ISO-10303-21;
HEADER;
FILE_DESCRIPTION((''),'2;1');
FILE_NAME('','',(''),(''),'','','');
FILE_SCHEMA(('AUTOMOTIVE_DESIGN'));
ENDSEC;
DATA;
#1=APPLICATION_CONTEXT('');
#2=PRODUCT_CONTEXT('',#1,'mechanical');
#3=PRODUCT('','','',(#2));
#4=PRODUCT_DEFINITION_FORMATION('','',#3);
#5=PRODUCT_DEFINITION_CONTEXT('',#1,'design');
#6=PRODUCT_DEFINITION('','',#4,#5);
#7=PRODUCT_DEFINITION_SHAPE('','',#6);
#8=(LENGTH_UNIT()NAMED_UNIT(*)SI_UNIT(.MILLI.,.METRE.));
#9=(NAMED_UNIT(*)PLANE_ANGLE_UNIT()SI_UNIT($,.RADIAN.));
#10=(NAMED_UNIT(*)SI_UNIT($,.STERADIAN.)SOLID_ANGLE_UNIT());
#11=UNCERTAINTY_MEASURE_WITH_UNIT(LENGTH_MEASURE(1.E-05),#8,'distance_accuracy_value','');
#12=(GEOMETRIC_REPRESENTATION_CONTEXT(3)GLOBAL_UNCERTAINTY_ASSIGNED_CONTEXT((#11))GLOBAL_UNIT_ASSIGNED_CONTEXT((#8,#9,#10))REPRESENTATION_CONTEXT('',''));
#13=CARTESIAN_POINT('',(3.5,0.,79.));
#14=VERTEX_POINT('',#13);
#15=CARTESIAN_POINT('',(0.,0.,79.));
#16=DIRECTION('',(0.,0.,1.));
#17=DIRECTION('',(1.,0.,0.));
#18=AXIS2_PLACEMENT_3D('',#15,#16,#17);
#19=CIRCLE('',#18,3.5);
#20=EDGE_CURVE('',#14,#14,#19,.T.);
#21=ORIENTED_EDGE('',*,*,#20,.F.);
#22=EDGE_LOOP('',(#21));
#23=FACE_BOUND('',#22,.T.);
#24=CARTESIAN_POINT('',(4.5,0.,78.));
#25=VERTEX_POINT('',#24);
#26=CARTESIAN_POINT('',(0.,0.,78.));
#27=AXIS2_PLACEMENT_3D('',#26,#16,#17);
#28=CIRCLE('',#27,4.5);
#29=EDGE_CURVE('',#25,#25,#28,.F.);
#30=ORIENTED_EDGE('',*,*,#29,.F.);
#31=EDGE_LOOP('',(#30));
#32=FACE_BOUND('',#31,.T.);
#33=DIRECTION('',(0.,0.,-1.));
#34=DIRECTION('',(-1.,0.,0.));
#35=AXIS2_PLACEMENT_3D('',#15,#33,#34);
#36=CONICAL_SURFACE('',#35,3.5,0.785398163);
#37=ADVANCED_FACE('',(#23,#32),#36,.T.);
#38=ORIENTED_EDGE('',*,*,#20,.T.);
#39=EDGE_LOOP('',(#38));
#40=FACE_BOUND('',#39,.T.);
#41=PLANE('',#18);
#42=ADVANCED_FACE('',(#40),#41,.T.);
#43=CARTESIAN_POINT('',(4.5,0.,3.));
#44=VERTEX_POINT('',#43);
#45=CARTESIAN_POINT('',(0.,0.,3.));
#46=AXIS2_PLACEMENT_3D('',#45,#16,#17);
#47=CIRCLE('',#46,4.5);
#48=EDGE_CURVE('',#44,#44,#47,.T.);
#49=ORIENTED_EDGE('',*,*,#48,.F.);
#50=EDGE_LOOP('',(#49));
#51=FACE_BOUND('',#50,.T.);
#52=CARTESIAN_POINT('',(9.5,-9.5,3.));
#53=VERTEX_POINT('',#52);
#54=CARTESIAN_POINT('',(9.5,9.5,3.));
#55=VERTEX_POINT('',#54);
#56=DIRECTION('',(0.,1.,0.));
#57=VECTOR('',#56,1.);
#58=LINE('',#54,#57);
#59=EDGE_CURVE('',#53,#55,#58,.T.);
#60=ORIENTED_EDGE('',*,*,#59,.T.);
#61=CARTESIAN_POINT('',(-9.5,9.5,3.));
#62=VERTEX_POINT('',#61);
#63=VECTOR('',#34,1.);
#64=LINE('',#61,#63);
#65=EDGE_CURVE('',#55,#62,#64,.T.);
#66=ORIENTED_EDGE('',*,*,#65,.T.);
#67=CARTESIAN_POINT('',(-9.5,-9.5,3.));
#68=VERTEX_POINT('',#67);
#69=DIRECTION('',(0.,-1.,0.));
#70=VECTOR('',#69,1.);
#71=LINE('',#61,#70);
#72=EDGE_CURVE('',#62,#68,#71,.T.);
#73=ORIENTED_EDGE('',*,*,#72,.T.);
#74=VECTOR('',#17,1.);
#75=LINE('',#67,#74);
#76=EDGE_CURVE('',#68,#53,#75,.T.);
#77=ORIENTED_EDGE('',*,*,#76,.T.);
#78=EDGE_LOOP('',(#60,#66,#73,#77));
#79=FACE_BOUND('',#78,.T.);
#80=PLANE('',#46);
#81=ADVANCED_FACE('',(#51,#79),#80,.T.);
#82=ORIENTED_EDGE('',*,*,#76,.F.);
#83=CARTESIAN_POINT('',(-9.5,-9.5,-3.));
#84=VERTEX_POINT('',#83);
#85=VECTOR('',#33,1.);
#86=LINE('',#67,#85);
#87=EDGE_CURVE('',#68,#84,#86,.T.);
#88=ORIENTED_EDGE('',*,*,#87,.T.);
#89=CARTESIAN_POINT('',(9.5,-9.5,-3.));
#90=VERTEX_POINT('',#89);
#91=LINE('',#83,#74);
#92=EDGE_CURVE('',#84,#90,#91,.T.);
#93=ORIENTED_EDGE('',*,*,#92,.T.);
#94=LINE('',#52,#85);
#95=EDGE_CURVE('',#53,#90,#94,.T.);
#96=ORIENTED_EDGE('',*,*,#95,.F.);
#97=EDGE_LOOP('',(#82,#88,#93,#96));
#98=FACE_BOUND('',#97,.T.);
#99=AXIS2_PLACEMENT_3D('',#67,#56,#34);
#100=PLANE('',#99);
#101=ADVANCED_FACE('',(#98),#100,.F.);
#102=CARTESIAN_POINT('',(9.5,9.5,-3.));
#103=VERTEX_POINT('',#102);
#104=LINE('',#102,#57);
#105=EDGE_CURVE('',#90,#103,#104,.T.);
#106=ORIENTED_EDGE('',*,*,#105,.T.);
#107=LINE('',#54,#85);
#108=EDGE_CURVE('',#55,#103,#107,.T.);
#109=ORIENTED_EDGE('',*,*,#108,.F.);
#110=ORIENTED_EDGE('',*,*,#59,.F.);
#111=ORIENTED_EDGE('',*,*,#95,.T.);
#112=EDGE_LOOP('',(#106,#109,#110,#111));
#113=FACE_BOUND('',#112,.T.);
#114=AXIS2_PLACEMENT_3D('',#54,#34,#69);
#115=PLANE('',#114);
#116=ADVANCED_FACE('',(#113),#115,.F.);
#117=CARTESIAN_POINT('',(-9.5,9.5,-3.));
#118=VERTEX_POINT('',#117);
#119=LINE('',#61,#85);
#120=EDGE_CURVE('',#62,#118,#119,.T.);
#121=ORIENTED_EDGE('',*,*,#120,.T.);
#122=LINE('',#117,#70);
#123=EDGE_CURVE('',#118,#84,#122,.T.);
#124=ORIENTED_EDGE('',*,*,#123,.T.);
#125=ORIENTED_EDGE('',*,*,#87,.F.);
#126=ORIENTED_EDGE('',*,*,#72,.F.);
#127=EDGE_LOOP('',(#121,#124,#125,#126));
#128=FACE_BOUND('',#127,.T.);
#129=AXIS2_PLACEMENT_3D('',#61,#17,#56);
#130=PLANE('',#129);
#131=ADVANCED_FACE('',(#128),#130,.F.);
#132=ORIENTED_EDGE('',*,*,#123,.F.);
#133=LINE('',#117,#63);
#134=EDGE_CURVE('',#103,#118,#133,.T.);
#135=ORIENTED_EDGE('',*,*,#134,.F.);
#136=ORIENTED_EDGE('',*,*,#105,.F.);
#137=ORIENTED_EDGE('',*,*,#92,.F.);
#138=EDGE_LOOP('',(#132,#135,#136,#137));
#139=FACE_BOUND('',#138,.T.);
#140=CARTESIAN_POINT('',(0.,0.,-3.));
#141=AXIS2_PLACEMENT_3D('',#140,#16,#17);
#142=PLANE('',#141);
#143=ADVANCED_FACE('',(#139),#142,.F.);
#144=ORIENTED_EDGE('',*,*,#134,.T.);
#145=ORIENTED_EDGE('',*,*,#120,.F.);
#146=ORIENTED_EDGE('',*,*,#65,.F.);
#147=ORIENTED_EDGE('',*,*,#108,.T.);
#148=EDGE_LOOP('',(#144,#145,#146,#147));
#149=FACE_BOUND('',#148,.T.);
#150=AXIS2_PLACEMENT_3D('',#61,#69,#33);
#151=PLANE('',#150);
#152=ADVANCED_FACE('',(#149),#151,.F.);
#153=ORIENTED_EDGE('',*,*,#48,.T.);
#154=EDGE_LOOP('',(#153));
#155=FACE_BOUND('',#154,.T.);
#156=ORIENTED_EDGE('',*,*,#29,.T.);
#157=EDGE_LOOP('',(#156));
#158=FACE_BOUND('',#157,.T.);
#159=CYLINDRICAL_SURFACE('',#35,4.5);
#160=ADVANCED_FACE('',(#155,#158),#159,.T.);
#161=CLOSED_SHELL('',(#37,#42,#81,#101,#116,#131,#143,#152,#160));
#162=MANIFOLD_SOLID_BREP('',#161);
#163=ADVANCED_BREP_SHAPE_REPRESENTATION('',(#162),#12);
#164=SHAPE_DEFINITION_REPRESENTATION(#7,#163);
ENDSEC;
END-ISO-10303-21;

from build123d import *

# Parameters (mm, degrees)
SKETCH1_W           = 19
SKETCH1_H           = 19
BOSS_EXTRUDE1_DEPTH = 3
SKETCH2_R           = 4.5
BOSS_EXTRUDE2_DEPTH = 76
CHAMFER1_SIZE       = 1


with BuildPart() as part:
    # Sketch1 → Boss-Extrude1 (new body, symmetric)
    with BuildSketch(Plane.XY):
        Rectangle(SKETCH1_W, SKETCH1_H)
    extrude(amount=BOSS_EXTRUDE1_DEPTH, both=True)

    # Sketch2 → Boss-Extrude2 (add)
    with BuildSketch(Plane.XY.offset(3)):
        Circle(SKETCH2_R)
    extrude(amount=BOSS_EXTRUDE2_DEPTH)

    # Chamfer1
    chamfer1_edges = [part.edges().sort_by_distance(p)[0] for p in [
        (-4.5, 0, 79),
    ]]
    chamfer(chamfer1_edges, length=CHAMFER1_SIZE)


solid = part.part
